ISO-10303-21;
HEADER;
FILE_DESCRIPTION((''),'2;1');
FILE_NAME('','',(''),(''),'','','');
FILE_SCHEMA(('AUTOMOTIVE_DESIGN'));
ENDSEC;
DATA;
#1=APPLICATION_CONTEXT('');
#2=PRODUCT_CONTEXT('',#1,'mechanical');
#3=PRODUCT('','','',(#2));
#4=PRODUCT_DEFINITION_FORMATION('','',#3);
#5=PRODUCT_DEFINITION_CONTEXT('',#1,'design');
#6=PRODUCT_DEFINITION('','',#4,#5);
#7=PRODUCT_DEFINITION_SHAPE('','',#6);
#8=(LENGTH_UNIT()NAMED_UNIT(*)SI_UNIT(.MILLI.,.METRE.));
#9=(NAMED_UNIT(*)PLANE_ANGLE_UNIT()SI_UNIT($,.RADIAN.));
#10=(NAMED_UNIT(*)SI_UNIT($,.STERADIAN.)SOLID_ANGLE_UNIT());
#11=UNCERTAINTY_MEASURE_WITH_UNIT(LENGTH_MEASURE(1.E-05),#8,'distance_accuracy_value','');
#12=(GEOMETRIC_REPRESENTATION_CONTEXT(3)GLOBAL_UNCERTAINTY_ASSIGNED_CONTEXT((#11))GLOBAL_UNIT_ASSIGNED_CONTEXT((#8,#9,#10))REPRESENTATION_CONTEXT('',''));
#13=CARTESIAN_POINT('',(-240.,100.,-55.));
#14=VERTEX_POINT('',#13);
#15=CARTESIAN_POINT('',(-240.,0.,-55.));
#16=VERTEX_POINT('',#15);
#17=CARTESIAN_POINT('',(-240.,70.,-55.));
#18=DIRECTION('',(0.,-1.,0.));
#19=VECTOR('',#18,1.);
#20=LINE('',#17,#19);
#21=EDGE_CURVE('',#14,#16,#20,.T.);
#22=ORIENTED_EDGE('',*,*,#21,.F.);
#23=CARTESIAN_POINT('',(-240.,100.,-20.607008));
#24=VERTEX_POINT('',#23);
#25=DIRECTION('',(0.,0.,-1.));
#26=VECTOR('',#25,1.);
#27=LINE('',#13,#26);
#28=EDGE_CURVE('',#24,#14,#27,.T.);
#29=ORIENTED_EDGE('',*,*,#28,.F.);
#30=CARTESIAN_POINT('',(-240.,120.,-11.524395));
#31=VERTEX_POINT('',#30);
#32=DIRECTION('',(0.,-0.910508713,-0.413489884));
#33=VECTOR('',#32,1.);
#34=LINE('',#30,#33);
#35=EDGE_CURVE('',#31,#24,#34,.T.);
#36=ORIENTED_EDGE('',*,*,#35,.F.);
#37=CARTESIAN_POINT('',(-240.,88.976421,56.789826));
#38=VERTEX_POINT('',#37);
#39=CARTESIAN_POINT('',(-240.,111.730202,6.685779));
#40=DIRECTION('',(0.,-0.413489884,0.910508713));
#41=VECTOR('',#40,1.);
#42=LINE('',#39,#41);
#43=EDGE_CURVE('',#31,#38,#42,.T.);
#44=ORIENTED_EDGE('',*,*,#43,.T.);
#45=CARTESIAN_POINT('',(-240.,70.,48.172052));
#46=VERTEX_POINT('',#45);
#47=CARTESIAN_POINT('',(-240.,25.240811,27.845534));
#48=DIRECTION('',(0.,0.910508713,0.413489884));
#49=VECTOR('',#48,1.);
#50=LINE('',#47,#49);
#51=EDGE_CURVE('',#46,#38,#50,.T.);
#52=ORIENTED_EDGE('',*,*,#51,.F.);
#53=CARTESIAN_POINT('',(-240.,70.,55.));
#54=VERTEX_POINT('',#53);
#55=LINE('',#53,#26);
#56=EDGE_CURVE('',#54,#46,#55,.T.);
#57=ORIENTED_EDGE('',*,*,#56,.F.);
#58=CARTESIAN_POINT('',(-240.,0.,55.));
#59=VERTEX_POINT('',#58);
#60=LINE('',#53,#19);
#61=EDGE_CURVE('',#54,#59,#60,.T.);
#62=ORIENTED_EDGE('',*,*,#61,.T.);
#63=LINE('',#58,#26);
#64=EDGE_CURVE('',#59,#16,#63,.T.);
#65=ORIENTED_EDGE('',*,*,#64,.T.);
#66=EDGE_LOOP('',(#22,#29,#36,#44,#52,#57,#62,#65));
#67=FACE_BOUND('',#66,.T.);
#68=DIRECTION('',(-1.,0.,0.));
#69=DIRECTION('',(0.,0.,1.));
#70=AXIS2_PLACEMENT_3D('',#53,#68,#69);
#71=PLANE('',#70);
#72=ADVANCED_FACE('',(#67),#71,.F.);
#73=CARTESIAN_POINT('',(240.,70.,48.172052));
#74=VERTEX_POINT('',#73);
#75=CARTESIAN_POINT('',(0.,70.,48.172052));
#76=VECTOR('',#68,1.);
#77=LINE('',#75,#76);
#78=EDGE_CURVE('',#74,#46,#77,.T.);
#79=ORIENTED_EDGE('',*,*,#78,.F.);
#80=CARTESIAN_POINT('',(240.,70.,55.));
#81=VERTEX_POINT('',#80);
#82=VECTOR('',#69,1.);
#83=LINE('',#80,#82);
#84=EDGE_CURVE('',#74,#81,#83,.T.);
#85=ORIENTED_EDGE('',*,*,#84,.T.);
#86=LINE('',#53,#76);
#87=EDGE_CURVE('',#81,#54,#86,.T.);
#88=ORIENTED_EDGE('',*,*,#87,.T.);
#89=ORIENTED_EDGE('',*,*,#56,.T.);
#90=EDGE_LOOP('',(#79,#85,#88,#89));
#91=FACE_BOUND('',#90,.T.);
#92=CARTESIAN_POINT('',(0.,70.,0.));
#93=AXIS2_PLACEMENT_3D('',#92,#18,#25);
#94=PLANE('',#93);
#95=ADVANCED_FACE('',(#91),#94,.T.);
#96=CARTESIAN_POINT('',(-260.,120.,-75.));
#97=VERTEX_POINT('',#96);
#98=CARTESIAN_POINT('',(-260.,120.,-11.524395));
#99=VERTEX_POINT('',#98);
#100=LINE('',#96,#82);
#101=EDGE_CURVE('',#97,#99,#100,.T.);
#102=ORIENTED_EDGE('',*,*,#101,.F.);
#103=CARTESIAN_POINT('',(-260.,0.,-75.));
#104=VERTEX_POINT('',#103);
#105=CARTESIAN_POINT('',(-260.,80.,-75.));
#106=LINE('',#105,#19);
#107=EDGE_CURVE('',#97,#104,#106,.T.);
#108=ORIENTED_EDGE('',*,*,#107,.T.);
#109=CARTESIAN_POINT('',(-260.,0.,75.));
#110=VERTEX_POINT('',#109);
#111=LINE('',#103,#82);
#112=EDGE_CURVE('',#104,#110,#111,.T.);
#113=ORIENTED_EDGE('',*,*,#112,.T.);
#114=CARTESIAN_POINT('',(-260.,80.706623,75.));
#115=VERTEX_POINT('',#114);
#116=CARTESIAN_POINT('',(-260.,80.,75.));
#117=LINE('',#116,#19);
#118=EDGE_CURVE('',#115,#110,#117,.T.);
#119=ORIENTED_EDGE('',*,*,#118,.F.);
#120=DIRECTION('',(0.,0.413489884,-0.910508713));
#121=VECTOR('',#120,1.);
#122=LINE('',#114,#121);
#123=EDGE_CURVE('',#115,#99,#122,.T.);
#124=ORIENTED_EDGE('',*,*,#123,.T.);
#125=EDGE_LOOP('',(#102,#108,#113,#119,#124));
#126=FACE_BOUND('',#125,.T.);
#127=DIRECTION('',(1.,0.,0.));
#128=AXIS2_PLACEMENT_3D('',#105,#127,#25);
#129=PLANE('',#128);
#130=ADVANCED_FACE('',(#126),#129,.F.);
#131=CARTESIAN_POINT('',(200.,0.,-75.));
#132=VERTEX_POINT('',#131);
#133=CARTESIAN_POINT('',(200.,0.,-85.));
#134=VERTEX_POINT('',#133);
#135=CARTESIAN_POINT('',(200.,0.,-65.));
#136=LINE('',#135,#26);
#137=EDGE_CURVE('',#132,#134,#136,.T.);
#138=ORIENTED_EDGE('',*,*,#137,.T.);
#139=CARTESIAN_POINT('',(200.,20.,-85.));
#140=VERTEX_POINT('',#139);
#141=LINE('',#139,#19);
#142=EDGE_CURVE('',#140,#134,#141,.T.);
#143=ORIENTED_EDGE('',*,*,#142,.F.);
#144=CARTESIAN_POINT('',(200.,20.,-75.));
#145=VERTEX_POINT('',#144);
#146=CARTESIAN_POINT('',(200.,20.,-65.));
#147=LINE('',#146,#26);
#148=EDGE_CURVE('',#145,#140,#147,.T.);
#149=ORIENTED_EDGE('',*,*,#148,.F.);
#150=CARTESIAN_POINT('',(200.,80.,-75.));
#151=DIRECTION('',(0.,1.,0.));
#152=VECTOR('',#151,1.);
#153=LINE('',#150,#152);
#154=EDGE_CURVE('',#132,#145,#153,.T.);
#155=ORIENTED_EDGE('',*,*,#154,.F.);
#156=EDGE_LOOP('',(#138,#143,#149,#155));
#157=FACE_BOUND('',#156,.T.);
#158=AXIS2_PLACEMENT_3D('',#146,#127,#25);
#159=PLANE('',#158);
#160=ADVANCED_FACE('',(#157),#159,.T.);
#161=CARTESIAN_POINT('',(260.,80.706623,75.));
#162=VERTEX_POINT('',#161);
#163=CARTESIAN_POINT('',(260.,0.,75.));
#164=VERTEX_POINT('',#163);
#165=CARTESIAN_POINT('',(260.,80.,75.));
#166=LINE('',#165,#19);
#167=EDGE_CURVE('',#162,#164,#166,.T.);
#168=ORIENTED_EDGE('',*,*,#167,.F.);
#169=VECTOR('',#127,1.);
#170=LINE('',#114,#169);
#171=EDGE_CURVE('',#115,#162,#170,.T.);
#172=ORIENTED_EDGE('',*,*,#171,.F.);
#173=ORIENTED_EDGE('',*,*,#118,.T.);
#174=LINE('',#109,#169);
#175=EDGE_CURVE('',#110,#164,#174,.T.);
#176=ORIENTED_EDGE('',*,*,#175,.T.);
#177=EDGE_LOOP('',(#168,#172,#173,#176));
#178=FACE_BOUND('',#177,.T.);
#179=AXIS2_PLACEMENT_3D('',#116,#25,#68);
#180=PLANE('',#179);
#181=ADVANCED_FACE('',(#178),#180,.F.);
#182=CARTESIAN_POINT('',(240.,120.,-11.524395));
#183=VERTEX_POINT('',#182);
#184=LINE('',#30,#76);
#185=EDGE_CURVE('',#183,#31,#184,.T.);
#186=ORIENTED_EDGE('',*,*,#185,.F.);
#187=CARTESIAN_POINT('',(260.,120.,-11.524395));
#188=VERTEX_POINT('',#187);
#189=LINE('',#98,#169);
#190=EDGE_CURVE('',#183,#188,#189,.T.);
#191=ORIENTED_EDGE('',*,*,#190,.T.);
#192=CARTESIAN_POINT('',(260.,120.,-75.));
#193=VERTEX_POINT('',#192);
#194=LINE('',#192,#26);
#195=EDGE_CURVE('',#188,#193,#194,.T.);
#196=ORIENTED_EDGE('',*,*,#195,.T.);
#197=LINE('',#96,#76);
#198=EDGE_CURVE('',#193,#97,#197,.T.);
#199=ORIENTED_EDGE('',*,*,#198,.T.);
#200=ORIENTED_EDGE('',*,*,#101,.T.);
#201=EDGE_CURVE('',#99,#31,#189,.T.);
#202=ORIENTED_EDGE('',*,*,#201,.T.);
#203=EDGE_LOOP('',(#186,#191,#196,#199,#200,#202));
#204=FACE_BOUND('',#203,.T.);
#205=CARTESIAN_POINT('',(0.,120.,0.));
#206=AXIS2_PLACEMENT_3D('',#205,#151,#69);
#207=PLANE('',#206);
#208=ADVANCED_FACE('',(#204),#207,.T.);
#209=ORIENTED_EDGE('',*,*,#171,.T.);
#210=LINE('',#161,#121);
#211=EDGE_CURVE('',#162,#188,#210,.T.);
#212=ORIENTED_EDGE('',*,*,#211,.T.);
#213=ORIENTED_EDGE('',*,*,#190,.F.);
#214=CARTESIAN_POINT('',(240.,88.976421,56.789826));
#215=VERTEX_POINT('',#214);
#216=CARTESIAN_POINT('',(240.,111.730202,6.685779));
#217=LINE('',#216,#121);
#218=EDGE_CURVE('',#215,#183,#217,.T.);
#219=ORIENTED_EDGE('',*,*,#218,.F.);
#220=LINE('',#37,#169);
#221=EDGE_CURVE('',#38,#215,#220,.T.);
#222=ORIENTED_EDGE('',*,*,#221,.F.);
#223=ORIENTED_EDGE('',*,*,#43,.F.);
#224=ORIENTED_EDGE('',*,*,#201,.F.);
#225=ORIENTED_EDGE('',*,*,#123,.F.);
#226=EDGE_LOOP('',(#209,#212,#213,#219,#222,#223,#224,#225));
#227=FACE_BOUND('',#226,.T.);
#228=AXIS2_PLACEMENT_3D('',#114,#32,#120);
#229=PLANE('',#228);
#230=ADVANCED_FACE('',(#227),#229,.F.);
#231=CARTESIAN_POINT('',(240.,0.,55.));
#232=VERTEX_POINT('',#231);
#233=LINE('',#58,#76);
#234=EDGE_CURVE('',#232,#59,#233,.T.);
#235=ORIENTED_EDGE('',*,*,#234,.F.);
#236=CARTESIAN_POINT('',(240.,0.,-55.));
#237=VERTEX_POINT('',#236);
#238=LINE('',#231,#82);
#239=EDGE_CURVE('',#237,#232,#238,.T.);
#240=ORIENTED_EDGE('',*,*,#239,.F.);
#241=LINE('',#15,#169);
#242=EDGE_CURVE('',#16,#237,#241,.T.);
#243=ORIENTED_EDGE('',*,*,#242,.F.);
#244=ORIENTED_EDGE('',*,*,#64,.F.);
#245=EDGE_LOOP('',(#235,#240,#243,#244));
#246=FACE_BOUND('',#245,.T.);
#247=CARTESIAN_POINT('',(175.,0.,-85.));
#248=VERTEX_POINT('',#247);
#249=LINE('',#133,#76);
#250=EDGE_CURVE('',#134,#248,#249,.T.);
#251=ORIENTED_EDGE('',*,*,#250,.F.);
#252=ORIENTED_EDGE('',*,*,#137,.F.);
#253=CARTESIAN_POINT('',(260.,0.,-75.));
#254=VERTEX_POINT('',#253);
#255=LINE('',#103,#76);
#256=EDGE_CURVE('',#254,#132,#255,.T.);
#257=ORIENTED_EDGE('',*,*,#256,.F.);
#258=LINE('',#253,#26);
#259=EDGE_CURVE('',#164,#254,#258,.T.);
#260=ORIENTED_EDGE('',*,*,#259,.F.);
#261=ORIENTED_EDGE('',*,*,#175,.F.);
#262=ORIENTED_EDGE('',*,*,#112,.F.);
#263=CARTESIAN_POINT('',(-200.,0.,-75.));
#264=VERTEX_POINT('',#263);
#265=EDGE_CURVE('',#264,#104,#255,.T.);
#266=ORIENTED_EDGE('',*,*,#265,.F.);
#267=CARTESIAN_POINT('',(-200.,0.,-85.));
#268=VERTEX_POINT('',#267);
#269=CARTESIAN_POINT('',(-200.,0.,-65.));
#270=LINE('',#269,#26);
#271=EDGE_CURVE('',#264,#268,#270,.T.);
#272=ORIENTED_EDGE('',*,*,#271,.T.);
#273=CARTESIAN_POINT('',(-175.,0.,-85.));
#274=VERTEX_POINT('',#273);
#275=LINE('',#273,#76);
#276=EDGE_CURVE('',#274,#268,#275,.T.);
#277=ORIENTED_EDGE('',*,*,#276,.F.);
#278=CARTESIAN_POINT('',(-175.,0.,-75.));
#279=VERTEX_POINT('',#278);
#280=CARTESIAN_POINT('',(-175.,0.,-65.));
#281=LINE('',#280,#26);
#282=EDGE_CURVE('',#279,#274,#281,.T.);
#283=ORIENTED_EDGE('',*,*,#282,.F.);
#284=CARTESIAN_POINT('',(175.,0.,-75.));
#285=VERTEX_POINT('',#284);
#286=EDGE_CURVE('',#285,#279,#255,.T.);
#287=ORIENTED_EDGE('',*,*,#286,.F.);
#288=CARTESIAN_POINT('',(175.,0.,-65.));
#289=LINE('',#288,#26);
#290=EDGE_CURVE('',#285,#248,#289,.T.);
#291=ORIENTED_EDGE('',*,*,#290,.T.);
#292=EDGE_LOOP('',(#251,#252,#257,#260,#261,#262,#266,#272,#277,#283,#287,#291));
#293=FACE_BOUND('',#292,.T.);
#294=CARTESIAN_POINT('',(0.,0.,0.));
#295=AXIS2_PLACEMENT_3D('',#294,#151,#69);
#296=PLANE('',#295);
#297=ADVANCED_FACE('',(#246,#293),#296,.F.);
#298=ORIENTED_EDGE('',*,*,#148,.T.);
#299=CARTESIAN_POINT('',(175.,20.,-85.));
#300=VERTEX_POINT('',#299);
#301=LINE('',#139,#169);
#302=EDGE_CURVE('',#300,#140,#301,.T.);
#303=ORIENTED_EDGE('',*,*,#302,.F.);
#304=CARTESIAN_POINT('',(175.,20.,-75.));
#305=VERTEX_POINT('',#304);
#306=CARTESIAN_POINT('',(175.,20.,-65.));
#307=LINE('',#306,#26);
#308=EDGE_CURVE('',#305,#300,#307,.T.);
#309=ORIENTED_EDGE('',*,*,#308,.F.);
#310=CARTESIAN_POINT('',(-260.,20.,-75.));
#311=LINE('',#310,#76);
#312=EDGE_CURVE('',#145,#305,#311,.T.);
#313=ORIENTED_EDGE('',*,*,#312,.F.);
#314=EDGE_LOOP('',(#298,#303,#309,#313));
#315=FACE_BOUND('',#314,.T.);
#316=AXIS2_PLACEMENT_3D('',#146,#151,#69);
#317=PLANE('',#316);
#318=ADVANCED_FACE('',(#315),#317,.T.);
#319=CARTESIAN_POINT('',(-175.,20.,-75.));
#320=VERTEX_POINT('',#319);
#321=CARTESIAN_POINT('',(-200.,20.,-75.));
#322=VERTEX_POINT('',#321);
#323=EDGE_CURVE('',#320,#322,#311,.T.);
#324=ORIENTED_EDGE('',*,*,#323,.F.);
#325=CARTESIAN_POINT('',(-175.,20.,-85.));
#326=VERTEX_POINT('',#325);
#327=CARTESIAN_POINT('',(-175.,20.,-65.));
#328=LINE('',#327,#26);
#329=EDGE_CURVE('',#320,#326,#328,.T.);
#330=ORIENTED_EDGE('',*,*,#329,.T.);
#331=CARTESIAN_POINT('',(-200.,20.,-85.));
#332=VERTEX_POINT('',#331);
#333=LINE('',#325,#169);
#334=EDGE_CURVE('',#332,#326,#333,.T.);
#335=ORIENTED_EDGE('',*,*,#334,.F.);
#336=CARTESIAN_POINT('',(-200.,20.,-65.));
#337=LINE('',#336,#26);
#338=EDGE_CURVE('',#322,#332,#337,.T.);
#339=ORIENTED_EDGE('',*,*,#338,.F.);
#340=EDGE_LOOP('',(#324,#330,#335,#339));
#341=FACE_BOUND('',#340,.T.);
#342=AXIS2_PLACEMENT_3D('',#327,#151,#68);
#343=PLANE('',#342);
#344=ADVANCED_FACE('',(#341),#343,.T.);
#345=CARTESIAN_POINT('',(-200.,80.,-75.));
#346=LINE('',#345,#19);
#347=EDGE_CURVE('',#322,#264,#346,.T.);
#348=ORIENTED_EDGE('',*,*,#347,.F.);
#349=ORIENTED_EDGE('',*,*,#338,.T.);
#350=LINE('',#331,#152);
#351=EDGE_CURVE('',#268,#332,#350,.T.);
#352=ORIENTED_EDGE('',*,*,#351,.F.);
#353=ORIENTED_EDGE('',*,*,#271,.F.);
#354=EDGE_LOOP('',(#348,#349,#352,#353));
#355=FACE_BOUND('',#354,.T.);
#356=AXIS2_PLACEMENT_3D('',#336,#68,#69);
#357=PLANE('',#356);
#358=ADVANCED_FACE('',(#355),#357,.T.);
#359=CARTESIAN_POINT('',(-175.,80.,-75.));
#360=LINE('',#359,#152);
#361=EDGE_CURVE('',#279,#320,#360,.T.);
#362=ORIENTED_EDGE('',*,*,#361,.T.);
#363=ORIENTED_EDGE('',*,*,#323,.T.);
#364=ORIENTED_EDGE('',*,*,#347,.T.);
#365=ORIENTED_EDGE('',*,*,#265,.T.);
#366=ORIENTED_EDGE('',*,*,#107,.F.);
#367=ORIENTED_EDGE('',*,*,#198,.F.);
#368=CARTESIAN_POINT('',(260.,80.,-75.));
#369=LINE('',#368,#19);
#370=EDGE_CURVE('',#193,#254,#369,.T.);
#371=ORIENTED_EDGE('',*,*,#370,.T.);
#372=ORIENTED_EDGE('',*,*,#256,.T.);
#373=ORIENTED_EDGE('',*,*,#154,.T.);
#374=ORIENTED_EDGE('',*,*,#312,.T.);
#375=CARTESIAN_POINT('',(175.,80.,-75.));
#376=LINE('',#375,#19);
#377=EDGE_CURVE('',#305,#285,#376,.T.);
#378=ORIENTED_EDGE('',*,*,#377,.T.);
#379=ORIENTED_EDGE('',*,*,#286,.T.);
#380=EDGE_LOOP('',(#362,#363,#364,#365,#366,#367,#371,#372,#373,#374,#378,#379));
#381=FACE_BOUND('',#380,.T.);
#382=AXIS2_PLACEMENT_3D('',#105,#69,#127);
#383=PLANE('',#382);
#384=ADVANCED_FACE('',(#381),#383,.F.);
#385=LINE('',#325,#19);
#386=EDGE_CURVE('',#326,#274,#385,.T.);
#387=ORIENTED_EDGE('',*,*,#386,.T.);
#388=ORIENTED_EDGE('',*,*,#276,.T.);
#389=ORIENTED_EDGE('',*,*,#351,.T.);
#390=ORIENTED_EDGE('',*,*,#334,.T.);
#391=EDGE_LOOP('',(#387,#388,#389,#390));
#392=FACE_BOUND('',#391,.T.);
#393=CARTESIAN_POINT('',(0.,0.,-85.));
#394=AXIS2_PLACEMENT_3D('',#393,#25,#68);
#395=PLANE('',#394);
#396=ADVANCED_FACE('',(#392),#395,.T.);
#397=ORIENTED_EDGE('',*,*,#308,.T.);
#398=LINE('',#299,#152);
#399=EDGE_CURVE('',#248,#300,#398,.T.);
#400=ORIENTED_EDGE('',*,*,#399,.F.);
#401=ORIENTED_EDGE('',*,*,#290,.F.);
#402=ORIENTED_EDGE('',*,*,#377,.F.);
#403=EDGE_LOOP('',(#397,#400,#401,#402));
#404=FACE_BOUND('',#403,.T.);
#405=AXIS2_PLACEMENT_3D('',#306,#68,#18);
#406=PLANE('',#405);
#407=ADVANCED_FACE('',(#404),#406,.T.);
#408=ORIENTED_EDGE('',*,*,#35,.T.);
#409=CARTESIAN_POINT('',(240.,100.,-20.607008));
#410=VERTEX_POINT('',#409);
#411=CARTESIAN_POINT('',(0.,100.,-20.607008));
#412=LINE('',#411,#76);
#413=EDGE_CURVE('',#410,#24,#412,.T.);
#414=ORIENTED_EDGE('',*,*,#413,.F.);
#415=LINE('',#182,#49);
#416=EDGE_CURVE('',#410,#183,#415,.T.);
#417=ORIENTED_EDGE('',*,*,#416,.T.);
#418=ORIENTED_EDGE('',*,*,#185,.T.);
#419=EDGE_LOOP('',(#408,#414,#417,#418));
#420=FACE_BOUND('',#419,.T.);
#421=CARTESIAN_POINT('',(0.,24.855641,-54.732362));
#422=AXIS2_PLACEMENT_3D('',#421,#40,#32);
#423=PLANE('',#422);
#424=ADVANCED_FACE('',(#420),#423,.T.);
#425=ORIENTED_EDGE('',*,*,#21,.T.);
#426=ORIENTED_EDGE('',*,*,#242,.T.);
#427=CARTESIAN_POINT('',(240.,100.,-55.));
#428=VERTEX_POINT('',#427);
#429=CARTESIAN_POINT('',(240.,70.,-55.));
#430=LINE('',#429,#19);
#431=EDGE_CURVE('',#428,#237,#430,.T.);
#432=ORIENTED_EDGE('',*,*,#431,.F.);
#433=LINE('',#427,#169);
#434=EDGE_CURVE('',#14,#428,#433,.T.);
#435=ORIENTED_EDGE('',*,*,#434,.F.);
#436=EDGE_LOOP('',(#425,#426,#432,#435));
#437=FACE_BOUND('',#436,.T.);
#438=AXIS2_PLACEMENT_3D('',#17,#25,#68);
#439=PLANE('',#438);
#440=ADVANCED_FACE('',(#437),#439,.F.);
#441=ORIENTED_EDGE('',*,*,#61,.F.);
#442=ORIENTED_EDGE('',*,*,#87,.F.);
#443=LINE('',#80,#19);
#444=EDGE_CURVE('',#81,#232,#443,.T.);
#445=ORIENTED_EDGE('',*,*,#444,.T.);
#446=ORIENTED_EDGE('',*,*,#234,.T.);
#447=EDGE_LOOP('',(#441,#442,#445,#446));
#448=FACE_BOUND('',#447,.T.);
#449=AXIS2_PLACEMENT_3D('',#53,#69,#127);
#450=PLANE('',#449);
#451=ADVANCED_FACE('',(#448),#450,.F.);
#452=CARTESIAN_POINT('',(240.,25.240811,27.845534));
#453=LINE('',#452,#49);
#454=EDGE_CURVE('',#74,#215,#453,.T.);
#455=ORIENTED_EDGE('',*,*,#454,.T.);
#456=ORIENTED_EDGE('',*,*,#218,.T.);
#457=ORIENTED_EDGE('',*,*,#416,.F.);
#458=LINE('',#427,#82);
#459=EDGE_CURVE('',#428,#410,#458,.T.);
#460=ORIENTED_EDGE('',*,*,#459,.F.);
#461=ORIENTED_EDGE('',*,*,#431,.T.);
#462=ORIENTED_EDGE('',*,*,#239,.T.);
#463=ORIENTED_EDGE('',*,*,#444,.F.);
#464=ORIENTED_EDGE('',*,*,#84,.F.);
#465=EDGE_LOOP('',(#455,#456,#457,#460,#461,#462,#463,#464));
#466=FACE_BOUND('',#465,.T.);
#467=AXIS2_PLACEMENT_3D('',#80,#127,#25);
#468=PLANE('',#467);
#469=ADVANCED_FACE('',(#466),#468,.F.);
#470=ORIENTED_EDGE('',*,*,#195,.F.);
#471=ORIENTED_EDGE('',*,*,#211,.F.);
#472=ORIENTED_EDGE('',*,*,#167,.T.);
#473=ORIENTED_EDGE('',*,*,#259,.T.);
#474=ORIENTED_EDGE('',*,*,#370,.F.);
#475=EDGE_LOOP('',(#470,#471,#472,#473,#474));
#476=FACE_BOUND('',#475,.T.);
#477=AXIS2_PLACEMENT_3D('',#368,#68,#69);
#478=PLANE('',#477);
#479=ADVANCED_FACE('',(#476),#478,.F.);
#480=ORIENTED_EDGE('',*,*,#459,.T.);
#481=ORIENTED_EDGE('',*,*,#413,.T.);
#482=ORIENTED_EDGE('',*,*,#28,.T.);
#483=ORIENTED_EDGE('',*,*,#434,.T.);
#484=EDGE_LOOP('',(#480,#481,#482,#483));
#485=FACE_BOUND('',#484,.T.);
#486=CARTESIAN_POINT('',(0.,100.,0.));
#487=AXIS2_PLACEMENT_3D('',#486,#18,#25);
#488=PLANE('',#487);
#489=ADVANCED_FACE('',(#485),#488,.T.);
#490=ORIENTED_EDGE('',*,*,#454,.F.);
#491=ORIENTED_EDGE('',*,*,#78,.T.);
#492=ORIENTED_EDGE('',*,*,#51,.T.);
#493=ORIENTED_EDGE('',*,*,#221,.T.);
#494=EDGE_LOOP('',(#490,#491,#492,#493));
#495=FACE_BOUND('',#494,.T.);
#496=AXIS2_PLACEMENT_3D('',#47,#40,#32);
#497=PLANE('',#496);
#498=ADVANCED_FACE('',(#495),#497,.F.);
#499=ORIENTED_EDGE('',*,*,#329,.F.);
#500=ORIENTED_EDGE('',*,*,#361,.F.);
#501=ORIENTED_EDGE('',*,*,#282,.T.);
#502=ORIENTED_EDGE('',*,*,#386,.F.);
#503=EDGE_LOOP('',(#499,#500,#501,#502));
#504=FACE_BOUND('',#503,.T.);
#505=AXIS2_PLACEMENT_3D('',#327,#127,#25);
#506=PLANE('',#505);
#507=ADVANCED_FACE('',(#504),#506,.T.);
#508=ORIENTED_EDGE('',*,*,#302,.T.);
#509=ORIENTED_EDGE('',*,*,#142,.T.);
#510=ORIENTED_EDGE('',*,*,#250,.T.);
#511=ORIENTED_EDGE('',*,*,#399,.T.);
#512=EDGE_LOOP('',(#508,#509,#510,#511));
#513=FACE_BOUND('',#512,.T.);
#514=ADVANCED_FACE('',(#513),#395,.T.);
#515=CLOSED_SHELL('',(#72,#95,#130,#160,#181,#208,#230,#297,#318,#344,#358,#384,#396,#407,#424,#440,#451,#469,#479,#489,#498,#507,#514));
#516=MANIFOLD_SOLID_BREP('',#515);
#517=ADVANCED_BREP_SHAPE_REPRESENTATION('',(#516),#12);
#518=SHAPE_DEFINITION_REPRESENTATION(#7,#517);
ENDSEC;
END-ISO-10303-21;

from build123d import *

# Parameters (mm, degrees)
SKETCH_1_W          = 520
SKETCH_1_H          = 150
EXTRUDE_1_DEPTH     = 80
SKETCH_3_W          = 520
SKETCH_3_H          = 150
EXTRUDE_2_DEPTH     = 40
CUT_EXTRUDE_1_DEPTH = 539.910938839
SKETCH_5_W          = 480
SKETCH_5_H          = 110
CUT_EXTRUDE_2_DEPTH = 70
SKETCH_7_W          = 480
SKETCH_7_H          = 55.028629816
CUT_EXTRUDE_3_DEPTH = 70
SKETCH_8_W          = 480
SKETCH_8_H          = 42.734816303
CUT_EXTRUDE_5_DEPTH = 30
SKETCH_9_W          = 480
SKETCH_9_H          = 45.831744101
CUT_EXTRUDE_6_DEPTH = 20
SKETCH_10_W         = 25
SKETCH_10_H         = 20
EXTRUDE_3_DEPTH     = 20
SKETCH_11_W         = 25
SKETCH_11_H         = 20
EXTRUDE_4_DEPTH     = 20


with BuildPart() as part:
    # 草圖1 → 填料-伸長1 (new body)
    with BuildSketch(Plane(origin=(0, 0, 0), x_dir=(1, 0, 0), z_dir=(0, 1, 0))):
        Rectangle(SKETCH_1_W, SKETCH_1_H)
    extrude(amount=EXTRUDE_1_DEPTH)

    # 草圖3 → 填料-伸長2 (add)
    with BuildSketch(Plane(origin=(0, 80, 0), x_dir=(1, 0, 0), z_dir=(0, 1, 0))):
        Rectangle(SKETCH_3_W, SKETCH_3_H)
    extrude(amount=EXTRUDE_2_DEPTH)

    # 草圖4 → 除料-伸長1 (cut, through all)
    with BuildSketch(Plane(origin=(260, 0, 0), x_dir=(0, 0, -1), z_dir=(1, 0, 0))):
        Polygon((-75, 80.706622888), (11.524395402, 120), (-75, 120), align=None)
    extrude(amount=-CUT_EXTRUDE_1_DEPTH, mode=Mode.SUBTRACT)

    # 草圖5 → 除料-伸長2 (cut)
    with BuildSketch(Plane(origin=(0, 0, 0), x_dir=(-1, 0, 0), z_dir=(0, -1, 0))):
        Rectangle(SKETCH_5_W, SKETCH_5_H)
    extrude(amount=-CUT_EXTRUDE_2_DEPTH, mode=Mode.SUBTRACT)

    # 草圖7 → 除料-伸長3 (cut)
    with BuildSketch(Plane(origin=(0, 95.144358744, 43.207966387), x_dir=(1, 0, 0), z_dir=(0, 0.9105087126935232, 0.4134898839260561))):
        with Locations((0, 12.597533586)):
            Rectangle(SKETCH_7_W, SKETCH_7_H)
    extrude(amount=-CUT_EXTRUDE_3_DEPTH, mode=Mode.SUBTRACT)

    # 草圖8 → 除料-伸長5 (cut)
    with BuildSketch(Plane.XZ.offset(-70)):
        with Locations((0, -33.632591848)):
            Rectangle(SKETCH_8_W, SKETCH_8_H)
    extrude(amount=-CUT_EXTRUDE_5_DEPTH, mode=Mode.SUBTRACT)

    # 草圖9 → 除料-伸長6 (cut)
    with BuildSketch(Plane(origin=(0, 16.585843578, -36.522187536), x_dir=(1, 0, 0), z_dir=(0, -0.4134898839260561, 0.9105087126935232))):
        with Locations((0, 81.579952556)):
            Rectangle(SKETCH_9_W, SKETCH_9_H)
    extrude(amount=-CUT_EXTRUDE_6_DEPTH, mode=Mode.SUBTRACT)

    # 草圖10 → 填料-伸長3 (add)
    with BuildSketch(Plane(origin=(0, 0, -85), x_dir=(-1, 0, 0), z_dir=(0, 0, -1))):
        with Locations((-187.5, 10)):
            Rectangle(SKETCH_10_W, SKETCH_10_H)
    extrude(amount=-EXTRUDE_3_DEPTH)

    # 草圖11 → 填料-伸長4 (add)
    with BuildSketch(Plane(origin=(0, 0, -85), x_dir=(-1, 0, 0), z_dir=(0, 0, -1))):
        with Locations((187.5, 10)):
            Rectangle(SKETCH_11_W, SKETCH_11_H)
    extrude(amount=-EXTRUDE_4_DEPTH)


solid = part.part
